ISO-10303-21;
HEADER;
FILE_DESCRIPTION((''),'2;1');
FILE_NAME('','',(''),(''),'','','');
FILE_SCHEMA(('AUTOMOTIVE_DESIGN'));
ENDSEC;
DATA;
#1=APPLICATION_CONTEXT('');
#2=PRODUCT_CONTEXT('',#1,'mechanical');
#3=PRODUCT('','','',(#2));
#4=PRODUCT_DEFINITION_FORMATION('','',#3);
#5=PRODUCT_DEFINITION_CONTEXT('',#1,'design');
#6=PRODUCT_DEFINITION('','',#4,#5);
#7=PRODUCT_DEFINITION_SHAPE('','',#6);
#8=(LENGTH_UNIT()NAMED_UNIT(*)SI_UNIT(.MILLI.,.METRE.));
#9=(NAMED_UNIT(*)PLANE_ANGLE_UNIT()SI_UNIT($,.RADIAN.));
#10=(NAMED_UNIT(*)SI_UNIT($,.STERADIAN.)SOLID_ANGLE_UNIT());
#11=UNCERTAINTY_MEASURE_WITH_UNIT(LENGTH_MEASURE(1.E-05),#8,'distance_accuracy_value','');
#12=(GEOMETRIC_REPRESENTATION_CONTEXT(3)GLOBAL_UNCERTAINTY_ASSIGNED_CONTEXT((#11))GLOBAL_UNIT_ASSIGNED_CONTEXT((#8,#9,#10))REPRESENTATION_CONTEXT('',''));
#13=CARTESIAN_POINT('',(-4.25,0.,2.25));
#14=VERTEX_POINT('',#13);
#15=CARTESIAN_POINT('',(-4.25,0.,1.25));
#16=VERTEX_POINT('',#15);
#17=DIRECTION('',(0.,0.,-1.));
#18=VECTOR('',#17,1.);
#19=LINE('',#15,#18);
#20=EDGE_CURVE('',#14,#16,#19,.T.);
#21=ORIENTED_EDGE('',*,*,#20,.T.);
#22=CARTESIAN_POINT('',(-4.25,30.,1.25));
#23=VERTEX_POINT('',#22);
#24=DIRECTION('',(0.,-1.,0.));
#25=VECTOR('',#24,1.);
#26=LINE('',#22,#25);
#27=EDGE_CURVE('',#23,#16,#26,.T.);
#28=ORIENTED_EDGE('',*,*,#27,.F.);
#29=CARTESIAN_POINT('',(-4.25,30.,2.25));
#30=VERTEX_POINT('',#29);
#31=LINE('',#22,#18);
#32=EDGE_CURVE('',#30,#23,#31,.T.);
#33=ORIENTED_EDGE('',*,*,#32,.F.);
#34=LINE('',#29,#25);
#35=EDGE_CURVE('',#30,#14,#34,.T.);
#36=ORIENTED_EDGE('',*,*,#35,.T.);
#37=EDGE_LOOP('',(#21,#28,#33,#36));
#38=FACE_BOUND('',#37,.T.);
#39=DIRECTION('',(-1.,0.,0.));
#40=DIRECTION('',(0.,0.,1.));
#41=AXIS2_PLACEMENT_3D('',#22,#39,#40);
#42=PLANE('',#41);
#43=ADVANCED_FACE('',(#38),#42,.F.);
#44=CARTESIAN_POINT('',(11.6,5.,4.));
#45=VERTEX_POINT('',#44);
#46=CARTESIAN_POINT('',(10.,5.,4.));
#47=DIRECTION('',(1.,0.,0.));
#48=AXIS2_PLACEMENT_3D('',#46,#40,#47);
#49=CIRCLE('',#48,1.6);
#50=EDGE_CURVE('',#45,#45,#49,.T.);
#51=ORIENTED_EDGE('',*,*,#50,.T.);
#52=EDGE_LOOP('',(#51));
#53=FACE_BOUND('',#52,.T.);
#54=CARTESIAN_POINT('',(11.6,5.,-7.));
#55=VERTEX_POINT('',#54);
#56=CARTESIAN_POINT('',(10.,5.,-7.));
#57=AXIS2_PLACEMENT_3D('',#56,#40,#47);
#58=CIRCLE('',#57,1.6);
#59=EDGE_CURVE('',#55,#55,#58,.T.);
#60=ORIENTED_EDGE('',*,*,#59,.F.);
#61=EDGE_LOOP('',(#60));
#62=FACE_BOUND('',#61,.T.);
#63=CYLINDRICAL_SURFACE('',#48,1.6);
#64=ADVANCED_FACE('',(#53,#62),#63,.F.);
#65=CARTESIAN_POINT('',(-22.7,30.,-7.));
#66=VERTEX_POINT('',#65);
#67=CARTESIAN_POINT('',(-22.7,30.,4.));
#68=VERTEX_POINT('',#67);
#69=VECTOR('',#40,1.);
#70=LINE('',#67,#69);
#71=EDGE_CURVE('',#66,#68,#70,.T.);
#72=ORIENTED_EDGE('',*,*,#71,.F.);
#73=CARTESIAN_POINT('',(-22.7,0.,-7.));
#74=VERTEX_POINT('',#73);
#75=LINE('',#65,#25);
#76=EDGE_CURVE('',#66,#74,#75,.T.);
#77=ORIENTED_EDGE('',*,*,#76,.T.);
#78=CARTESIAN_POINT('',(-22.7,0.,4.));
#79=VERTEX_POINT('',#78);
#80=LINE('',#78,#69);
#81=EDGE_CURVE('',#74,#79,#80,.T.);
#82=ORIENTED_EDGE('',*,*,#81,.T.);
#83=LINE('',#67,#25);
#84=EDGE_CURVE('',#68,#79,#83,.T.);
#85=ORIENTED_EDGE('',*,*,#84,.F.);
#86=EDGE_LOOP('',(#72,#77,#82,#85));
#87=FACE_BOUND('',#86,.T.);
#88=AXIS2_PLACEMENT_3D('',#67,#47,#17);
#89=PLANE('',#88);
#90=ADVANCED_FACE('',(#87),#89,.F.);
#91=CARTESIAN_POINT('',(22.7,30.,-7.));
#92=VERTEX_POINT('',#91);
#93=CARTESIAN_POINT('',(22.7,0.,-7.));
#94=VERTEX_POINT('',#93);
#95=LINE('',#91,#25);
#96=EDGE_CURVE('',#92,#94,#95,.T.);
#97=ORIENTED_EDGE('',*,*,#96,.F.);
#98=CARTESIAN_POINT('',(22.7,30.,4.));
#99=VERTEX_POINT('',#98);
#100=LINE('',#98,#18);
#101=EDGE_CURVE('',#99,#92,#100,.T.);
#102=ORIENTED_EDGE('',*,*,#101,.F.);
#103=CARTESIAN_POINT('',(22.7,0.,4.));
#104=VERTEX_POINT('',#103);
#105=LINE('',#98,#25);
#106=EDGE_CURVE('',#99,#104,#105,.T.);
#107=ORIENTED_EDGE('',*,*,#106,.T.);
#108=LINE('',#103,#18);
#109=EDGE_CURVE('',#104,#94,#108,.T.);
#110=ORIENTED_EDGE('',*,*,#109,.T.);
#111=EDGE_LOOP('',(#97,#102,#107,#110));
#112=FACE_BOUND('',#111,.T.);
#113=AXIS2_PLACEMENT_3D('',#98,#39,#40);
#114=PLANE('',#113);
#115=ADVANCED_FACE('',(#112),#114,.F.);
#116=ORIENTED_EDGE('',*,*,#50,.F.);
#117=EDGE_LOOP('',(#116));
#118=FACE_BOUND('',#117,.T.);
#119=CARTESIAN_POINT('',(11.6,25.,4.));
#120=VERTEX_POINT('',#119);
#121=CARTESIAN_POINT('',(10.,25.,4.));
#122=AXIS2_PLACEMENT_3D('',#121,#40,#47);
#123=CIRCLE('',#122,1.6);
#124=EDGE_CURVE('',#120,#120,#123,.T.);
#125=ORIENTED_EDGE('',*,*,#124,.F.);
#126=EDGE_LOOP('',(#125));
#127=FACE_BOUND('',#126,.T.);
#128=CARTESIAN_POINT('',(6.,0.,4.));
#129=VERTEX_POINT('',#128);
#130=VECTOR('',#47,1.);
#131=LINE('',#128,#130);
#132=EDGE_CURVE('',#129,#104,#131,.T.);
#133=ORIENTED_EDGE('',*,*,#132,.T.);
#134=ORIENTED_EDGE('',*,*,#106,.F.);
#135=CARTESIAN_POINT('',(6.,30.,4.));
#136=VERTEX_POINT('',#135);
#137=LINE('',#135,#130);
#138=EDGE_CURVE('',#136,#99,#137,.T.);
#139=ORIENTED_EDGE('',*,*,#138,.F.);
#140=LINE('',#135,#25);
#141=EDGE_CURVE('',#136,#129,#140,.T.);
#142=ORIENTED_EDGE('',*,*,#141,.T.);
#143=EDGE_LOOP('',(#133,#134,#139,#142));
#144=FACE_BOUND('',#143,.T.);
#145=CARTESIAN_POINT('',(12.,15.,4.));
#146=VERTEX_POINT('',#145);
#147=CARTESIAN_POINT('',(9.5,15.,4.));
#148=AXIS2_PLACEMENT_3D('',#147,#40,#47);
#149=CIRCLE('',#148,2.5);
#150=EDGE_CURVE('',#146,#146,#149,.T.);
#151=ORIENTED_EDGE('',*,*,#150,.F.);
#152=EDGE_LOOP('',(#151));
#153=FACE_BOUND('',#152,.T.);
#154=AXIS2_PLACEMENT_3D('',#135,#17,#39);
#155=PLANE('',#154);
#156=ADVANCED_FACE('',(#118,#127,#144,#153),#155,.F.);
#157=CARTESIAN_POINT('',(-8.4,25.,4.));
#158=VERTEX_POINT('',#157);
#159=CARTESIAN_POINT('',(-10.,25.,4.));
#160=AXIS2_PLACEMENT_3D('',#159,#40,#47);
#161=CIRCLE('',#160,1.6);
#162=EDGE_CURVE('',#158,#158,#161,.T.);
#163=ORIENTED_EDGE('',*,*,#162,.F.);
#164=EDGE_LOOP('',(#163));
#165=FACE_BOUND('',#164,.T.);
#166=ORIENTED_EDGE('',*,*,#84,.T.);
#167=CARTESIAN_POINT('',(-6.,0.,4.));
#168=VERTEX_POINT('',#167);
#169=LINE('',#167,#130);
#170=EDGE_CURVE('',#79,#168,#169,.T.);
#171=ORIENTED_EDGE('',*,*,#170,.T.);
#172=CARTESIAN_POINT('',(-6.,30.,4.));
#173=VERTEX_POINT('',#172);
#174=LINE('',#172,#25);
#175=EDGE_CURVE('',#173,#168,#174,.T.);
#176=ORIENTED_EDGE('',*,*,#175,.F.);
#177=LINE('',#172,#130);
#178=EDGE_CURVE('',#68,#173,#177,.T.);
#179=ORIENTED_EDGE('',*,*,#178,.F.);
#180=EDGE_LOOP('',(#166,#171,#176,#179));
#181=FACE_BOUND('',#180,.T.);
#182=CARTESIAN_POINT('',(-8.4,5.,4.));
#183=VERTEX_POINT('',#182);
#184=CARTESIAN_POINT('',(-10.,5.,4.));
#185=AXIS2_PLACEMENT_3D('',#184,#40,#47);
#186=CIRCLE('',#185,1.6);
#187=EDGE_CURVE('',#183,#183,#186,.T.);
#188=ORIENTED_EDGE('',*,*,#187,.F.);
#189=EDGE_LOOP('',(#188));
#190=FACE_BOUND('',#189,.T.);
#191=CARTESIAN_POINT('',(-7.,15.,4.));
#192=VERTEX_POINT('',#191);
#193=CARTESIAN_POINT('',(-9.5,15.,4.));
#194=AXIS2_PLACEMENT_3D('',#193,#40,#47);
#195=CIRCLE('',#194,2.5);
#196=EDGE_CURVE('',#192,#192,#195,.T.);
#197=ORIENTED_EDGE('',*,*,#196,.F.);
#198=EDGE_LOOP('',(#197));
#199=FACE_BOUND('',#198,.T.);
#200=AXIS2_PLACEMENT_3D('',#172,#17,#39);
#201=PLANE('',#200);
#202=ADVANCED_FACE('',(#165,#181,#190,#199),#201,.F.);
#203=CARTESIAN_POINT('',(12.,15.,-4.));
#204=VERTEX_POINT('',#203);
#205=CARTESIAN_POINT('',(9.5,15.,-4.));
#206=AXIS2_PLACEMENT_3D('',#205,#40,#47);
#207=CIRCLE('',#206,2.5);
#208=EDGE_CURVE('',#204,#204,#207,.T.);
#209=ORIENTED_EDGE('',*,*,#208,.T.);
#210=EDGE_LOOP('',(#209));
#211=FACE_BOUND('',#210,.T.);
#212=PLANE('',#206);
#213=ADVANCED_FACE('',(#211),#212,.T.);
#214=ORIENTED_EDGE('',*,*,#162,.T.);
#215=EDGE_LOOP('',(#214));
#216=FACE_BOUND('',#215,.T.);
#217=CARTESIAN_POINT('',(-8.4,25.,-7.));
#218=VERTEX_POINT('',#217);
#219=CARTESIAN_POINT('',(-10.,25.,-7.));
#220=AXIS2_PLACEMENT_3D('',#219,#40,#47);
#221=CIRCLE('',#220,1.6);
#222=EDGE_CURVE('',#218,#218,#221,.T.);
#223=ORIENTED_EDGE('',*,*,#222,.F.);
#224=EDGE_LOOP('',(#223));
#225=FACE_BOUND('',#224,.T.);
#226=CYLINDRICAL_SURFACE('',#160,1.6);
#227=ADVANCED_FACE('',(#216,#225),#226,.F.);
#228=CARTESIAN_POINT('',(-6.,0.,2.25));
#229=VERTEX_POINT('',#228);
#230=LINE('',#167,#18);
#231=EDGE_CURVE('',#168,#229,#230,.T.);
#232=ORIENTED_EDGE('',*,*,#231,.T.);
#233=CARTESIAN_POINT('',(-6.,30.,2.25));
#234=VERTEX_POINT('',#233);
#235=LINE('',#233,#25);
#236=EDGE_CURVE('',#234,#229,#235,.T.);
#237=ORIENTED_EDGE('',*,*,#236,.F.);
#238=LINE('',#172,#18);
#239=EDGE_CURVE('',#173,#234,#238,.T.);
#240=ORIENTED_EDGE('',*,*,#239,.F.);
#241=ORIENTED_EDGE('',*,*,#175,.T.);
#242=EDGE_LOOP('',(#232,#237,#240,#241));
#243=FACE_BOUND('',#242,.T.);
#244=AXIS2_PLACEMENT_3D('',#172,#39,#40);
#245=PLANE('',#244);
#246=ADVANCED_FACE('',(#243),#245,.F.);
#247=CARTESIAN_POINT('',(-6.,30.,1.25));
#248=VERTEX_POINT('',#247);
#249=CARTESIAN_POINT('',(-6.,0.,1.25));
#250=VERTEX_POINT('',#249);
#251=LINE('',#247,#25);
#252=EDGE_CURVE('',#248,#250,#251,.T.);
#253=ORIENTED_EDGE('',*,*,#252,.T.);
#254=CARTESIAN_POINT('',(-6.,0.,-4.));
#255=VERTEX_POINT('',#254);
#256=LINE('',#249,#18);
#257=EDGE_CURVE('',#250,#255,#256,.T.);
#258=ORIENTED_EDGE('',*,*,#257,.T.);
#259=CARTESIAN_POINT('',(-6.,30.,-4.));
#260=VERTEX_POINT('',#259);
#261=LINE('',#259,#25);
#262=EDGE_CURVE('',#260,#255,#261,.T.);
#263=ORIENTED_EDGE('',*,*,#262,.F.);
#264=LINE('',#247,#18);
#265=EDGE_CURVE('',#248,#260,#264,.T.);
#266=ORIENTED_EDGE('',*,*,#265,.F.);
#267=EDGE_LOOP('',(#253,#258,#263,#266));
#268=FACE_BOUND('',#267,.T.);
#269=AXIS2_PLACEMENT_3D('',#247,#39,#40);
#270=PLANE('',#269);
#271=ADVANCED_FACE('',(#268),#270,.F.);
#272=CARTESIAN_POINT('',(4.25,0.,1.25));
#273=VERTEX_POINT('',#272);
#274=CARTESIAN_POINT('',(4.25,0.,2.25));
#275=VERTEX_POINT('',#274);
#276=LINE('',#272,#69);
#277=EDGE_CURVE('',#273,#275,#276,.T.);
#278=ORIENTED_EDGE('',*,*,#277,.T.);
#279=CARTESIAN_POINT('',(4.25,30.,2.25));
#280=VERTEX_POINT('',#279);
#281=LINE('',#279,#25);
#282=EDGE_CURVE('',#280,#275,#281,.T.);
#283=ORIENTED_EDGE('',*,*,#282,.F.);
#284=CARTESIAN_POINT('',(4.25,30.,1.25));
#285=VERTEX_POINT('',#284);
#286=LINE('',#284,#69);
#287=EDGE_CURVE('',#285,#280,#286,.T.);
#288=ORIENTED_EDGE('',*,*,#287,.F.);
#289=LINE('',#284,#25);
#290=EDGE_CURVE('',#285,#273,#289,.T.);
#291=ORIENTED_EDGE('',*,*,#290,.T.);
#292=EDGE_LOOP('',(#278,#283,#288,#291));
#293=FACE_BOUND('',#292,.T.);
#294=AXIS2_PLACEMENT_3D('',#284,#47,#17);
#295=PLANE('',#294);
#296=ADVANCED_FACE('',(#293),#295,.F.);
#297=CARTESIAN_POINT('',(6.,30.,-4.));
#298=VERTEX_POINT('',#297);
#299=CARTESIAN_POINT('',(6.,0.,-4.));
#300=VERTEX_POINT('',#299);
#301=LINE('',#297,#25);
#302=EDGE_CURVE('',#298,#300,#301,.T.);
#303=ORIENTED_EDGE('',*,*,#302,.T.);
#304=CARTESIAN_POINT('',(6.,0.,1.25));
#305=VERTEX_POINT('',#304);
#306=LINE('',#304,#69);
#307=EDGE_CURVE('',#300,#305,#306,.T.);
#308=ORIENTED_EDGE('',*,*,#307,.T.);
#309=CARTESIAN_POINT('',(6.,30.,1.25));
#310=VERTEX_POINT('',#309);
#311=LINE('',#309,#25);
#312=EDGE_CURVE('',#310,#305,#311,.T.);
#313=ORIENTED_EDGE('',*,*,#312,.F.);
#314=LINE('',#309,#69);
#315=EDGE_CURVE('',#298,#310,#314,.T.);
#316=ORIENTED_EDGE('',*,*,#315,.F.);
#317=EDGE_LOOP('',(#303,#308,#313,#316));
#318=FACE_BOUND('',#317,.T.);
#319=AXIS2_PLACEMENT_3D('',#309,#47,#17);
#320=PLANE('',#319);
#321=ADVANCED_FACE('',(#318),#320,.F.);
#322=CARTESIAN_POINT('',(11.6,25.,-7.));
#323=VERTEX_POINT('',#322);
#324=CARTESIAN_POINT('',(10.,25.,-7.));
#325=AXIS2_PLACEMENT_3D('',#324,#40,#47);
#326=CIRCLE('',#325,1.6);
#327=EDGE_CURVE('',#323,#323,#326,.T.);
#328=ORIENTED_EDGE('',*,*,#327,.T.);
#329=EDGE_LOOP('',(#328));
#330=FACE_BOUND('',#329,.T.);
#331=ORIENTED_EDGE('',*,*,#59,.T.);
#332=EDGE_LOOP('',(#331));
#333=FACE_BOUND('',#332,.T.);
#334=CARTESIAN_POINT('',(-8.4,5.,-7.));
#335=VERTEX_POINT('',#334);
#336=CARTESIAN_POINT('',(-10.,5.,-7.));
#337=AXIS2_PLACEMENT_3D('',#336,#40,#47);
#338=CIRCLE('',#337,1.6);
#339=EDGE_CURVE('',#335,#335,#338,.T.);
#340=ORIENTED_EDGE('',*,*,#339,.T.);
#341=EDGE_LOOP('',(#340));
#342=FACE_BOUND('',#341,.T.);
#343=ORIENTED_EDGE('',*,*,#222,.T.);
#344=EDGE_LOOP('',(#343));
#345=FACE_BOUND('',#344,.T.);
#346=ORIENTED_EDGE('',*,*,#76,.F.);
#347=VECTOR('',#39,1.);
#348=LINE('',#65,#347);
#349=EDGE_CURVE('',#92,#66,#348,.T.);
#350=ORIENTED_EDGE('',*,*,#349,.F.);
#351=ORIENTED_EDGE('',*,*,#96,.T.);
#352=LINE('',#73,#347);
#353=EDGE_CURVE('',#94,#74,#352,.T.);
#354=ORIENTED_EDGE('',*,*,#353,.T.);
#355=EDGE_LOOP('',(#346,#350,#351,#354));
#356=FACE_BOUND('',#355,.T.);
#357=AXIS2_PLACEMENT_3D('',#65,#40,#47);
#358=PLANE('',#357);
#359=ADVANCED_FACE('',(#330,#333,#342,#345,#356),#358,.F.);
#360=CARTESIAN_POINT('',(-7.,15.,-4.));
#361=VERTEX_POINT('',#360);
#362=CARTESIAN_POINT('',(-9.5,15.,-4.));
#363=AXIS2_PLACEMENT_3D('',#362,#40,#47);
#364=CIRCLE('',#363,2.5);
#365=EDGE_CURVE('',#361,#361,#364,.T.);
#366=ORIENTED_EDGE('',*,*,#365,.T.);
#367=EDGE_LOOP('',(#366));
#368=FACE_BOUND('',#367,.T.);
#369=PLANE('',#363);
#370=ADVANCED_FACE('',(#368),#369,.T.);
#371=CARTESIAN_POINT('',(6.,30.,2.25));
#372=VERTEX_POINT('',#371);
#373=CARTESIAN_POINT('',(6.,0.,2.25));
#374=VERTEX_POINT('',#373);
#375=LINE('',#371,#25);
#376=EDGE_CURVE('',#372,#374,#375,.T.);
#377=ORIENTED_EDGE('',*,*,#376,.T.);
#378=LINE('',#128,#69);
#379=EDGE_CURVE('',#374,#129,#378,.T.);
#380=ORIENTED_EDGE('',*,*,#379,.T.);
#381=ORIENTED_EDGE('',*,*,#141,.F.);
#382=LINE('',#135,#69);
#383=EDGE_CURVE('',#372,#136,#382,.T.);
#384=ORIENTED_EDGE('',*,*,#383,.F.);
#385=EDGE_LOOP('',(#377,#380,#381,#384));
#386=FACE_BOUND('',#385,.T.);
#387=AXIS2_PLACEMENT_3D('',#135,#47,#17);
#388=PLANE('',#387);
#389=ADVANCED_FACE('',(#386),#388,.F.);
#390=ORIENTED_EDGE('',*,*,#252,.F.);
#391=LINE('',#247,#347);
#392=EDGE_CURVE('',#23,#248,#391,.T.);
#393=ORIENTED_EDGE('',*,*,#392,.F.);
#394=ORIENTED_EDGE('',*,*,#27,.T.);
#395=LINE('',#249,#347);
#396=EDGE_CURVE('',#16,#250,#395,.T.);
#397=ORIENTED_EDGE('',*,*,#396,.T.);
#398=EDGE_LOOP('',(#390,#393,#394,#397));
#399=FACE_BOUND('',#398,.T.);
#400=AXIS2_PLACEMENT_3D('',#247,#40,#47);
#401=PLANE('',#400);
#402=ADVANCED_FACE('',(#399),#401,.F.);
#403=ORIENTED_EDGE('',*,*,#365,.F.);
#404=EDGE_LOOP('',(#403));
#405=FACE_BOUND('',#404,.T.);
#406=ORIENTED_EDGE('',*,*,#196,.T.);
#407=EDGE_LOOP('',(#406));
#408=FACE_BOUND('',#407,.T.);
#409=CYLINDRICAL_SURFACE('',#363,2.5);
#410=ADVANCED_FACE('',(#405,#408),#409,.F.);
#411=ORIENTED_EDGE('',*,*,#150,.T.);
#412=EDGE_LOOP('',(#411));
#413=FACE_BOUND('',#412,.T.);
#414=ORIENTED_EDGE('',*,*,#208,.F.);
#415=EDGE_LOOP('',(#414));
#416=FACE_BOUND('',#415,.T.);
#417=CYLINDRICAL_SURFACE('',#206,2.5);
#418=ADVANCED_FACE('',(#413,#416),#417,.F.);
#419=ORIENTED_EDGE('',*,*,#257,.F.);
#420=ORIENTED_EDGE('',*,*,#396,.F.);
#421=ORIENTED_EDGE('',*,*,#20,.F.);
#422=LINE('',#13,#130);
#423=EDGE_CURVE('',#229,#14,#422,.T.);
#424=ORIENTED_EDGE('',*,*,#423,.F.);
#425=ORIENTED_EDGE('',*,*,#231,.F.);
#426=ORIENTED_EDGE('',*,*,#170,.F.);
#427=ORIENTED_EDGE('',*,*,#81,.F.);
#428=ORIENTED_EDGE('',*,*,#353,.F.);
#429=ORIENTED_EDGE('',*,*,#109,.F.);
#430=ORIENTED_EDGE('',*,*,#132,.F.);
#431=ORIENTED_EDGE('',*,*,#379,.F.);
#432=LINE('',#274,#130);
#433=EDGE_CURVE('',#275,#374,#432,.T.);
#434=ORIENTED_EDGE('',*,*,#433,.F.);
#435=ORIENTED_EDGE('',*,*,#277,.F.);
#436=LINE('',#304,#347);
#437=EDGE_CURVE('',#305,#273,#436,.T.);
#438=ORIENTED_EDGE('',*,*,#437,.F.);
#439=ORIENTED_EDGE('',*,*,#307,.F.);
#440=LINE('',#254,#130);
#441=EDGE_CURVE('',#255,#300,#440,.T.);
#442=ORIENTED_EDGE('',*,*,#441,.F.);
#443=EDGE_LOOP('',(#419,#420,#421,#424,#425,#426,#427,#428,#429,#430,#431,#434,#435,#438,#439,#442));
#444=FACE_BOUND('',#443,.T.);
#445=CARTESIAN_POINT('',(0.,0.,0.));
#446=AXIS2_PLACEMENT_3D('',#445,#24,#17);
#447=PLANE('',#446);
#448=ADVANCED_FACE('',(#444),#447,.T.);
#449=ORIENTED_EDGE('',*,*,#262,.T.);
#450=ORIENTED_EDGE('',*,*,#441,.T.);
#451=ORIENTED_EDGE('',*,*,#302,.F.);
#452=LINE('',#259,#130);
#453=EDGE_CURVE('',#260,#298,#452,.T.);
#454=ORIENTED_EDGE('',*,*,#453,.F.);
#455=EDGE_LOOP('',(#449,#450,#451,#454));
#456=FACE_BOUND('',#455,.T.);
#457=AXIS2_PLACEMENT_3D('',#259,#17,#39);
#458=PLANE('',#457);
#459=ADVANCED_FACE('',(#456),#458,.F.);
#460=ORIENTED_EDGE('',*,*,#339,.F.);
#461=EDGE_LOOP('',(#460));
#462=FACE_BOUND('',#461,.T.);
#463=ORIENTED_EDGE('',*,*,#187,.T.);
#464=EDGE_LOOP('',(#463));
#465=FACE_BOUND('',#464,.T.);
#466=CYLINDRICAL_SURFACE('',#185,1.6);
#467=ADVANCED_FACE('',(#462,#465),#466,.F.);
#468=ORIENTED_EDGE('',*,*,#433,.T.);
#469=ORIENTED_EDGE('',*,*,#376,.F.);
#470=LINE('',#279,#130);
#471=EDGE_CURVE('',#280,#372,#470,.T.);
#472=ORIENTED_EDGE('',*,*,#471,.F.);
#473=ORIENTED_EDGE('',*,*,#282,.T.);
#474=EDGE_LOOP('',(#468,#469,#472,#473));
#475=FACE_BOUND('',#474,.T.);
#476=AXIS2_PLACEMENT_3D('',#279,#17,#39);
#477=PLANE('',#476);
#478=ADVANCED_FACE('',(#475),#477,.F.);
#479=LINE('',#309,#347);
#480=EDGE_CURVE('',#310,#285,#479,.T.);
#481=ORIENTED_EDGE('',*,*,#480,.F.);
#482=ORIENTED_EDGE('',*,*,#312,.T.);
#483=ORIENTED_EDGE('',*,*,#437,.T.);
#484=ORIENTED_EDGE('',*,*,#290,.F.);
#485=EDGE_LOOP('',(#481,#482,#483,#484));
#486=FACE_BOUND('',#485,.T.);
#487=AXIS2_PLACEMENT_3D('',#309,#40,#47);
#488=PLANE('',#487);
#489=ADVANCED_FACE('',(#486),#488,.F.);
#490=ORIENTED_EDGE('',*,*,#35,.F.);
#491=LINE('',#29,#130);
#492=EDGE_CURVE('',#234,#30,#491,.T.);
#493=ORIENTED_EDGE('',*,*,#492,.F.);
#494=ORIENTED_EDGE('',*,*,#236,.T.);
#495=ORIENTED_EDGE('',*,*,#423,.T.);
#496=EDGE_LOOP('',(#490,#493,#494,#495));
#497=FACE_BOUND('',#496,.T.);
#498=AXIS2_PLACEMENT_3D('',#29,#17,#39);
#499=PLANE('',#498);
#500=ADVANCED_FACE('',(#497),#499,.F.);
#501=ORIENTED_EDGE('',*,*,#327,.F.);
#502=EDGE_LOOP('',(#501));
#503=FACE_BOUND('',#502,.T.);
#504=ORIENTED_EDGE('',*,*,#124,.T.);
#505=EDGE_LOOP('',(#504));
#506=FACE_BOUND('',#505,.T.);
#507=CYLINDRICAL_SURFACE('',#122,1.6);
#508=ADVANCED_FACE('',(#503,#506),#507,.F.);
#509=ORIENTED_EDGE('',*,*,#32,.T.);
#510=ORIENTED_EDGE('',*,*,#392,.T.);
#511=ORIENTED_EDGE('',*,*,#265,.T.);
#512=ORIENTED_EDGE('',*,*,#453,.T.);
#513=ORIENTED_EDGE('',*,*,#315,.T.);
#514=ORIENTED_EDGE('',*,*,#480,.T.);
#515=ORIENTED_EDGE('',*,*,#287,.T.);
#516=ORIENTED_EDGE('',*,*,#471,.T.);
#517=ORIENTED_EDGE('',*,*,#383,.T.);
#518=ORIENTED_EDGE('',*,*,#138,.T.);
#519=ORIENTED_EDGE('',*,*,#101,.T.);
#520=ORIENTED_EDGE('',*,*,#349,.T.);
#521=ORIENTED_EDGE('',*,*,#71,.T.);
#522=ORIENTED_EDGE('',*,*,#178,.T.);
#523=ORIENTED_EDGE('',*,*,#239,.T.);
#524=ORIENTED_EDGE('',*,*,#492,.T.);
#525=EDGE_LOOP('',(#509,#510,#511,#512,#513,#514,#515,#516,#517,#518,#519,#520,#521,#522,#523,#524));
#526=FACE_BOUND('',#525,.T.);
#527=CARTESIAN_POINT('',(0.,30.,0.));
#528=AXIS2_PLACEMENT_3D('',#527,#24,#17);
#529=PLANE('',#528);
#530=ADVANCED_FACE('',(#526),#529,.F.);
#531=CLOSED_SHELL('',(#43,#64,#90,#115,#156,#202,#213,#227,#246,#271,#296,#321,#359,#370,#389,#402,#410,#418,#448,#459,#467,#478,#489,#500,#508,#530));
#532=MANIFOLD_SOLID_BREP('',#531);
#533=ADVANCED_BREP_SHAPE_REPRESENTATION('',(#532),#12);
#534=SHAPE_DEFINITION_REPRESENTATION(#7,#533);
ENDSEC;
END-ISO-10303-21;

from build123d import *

# Parameters (mm, degrees)
BOSS_EXTRUDE1_DEPTH   = 30
F_3_0MM_DOWEL_HOLE1_D = 3.2
SKETCH6_R             = 2.5
CUT_EXTRUDE1_DEPTH    = 8


with BuildPart() as part:
    # Sketch1 → Boss-Extrude1 (new body)
    with BuildSketch(Plane(origin=(0, 0, 0), x_dir=(1, 0, 0), z_dir=(0, 1, 0))):
        Polygon((-6, -1.25), (-4.25, -1.25), (-4.25, -2.25), (-6, -2.25), (-6, -4), (-22.7, -4), (-22.7, 7), (22.7, 7), (22.7, -4), (6, -4), (6, -2.25), (4.25, -2.25), (4.25, -1.25), (6, -1.25), (6, 4), (-6, 4), align=None)
    extrude(amount=BOSS_EXTRUDE1_DEPTH)

    # Ø3.0mm Dowel Hole1 (through all)
    with Locations(Plane.XY.offset(4)):
        with Locations((-10, 25), (10, 25), (10, 5), (-10, 5)):
            Hole(F_3_0MM_DOWEL_HOLE1_D / 2)

    # Sketch6 → Cut-Extrude1 (cut)
    with BuildSketch(Plane.XY.offset(4)):
        with Locations((9.5, 15)):
            Circle(SKETCH6_R)
        with Locations((-9.5, 15)):
            Circle(SKETCH6_R)
    extrude(amount=-CUT_EXTRUDE1_DEPTH, mode=Mode.SUBTRACT)


solid = part.part
